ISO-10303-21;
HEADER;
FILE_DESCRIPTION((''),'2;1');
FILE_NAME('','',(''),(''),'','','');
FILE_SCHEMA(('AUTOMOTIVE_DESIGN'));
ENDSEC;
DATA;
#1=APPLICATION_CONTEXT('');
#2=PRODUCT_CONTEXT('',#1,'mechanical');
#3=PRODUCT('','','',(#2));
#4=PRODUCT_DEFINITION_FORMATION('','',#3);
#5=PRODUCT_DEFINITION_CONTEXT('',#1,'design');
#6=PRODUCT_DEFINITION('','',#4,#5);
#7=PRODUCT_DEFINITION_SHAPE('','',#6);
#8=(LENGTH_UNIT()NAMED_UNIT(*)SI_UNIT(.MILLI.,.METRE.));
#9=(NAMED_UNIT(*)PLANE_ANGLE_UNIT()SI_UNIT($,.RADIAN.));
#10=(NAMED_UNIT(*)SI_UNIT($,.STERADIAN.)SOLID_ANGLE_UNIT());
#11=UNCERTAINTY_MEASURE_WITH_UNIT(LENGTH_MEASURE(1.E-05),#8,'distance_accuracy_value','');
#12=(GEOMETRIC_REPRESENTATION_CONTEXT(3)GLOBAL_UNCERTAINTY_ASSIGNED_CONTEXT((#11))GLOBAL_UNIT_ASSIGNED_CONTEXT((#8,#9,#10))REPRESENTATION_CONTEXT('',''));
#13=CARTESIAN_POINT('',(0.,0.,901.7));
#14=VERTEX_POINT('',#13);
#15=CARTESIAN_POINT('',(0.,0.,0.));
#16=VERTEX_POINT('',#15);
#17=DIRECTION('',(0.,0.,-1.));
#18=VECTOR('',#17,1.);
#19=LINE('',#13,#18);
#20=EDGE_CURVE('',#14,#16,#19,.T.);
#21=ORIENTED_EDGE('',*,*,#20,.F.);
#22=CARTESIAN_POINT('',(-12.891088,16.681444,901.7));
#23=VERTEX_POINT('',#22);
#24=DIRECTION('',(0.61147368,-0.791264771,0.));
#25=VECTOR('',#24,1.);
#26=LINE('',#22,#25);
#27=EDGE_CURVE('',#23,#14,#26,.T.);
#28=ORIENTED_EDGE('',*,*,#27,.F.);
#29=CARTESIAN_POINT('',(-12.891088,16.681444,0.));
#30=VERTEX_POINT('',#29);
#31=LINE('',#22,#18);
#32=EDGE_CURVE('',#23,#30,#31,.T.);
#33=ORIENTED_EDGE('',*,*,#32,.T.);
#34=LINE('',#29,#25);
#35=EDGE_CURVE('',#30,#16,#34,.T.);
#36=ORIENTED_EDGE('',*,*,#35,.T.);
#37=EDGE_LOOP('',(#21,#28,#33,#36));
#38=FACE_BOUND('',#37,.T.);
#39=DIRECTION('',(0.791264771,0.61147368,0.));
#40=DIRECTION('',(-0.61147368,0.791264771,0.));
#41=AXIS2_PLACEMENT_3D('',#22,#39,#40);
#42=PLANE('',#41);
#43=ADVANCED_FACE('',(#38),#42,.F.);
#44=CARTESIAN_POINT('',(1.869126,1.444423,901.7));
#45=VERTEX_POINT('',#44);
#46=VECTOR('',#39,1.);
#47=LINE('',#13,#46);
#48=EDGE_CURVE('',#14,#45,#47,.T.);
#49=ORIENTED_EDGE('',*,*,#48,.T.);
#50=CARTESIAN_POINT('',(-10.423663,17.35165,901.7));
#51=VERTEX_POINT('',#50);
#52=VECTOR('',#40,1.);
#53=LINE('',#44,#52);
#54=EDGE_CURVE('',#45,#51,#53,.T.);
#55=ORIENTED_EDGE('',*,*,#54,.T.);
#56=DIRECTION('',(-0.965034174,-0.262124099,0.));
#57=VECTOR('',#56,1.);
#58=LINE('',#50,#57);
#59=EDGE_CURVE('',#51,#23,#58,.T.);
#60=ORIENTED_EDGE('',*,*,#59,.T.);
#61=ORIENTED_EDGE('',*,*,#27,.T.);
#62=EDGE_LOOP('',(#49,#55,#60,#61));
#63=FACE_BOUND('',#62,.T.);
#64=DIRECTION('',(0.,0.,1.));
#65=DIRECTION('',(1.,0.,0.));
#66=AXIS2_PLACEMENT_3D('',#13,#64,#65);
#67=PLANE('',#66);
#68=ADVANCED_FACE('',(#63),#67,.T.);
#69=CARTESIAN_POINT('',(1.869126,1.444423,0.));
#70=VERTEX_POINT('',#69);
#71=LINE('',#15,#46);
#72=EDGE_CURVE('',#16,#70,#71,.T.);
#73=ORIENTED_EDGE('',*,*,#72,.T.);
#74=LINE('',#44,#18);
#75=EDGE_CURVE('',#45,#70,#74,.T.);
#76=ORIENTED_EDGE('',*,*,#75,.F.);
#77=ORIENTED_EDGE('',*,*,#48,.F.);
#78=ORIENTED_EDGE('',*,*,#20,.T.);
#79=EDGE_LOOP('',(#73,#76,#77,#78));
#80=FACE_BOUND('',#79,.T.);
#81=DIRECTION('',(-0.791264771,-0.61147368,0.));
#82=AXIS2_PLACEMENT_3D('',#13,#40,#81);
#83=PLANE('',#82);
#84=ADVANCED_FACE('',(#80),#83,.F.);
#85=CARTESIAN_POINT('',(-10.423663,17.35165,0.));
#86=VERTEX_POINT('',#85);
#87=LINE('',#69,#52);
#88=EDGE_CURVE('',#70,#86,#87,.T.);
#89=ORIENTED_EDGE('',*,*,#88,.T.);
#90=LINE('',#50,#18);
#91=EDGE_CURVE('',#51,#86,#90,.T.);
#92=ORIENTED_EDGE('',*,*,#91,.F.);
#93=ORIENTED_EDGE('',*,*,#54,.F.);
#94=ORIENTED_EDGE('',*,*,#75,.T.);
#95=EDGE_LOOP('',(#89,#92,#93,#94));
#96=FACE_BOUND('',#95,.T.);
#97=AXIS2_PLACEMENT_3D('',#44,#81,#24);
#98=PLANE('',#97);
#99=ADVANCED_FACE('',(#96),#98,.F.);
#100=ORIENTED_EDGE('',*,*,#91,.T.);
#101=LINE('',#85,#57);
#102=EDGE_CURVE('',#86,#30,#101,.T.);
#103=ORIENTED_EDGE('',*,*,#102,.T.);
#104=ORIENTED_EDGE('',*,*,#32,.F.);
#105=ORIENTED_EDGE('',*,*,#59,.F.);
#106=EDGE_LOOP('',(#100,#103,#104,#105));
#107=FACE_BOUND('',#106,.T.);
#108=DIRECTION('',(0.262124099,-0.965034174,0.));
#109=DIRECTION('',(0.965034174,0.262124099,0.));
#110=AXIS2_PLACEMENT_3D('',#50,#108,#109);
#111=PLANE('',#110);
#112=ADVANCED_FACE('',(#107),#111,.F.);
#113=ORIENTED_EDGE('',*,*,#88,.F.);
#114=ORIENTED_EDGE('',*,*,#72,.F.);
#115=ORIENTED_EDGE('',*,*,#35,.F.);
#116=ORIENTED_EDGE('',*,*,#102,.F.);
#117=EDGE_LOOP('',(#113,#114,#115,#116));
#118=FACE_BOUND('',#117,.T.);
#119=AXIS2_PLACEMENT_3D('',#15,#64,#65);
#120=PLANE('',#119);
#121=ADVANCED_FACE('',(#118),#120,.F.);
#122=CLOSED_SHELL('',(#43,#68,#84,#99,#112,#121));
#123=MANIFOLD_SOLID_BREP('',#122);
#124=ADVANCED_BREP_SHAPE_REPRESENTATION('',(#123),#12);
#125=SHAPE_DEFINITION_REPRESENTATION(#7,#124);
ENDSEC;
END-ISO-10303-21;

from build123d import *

# Parameters (mm, degrees)
BOSS_EXTRUDE1_DEPTH = 901.7


with BuildPart() as part:
    # Sketch1 → Boss-Extrude1 (new body)
    with BuildSketch(Plane.XY):
        Polygon((0, 0), (1.869125643, 1.444423128), (-10.423662837, 17.351649844), (-12.891088129, 16.681443908), align=None)
    extrude(amount=BOSS_EXTRUDE1_DEPTH)


solid = part.part
